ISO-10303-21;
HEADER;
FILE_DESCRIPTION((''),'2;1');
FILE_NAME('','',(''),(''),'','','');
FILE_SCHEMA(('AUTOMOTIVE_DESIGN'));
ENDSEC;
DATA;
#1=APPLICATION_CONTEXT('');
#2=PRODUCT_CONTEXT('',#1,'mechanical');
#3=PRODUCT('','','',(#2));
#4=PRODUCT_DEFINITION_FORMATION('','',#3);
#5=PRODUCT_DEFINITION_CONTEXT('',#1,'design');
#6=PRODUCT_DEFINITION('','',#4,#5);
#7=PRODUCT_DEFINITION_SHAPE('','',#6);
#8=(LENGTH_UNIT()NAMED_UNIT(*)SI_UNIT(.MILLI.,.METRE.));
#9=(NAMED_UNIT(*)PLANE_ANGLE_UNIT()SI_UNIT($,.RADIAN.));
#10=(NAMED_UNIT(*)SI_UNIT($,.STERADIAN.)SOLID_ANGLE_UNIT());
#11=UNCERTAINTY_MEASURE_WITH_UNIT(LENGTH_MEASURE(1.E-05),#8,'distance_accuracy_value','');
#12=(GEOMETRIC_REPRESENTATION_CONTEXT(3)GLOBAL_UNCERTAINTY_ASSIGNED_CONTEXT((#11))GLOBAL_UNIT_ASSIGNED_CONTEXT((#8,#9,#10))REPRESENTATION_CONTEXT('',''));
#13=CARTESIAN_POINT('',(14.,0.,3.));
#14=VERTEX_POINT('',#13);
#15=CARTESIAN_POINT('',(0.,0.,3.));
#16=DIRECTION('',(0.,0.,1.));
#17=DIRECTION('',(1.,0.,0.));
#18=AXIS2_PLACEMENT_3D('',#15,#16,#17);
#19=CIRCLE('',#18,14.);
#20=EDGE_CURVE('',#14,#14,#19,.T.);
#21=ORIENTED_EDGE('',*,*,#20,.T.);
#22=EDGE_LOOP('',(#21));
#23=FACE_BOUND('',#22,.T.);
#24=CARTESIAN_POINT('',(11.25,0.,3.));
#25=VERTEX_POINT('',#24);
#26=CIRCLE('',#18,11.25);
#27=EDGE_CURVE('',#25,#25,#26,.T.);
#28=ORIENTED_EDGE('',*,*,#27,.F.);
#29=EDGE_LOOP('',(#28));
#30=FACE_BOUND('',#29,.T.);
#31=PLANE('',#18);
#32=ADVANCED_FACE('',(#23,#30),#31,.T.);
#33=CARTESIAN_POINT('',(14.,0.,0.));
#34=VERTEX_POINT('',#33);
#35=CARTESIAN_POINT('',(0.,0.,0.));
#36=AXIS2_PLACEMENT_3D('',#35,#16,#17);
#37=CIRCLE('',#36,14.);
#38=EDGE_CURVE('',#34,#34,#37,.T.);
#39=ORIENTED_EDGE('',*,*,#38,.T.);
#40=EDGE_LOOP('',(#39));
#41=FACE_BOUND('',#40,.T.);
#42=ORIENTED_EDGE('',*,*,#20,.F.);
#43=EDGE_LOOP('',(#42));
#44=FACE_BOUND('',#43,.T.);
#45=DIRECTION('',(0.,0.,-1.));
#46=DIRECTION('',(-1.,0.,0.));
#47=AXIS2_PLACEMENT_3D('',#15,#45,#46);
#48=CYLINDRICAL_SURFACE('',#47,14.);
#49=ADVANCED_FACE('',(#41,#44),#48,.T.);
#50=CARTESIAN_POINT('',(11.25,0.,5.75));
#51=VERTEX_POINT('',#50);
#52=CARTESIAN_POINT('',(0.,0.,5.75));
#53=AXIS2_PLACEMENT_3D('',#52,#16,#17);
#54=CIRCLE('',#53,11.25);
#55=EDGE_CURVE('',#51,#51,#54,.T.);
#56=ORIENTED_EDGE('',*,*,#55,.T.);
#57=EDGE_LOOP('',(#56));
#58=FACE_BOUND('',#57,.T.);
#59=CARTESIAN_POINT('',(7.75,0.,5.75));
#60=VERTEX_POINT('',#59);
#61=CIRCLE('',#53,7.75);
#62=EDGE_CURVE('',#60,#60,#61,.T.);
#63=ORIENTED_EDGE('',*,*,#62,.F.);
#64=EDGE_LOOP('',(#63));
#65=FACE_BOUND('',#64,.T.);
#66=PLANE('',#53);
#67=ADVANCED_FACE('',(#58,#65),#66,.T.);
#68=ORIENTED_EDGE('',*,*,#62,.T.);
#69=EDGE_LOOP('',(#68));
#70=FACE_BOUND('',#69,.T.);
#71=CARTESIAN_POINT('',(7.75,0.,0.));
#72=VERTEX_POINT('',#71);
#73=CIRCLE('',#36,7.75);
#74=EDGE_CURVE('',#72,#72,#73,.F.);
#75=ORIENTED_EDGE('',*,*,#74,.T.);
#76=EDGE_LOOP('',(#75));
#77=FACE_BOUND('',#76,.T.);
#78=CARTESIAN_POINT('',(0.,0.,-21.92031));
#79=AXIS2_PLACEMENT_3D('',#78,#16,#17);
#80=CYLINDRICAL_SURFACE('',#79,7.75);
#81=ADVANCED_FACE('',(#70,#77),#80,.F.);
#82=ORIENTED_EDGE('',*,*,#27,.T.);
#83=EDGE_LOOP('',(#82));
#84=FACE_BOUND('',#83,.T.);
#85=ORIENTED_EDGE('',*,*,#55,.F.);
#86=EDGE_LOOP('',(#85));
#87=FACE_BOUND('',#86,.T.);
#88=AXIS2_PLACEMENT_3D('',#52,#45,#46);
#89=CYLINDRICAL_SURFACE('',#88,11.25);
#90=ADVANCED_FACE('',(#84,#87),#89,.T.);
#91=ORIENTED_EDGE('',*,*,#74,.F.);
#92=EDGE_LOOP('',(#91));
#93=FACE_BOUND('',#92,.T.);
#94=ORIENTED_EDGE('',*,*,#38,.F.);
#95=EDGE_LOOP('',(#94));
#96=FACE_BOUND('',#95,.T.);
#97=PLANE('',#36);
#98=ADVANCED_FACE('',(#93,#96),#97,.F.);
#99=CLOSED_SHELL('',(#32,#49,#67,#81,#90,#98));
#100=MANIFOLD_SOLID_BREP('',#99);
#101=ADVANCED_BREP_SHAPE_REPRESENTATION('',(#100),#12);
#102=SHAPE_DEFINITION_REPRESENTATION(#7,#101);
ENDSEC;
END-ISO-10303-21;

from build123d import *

# Parameters (mm, degrees)
ESQUISSE1_R             = 14
BOSS_EXTRU_1_DEPTH      = 3
ESQUISSE2_R             = 11.25
BOSS_EXTRU_2_DEPTH      = 2.75
ESQUISSE3_R             = 7.75
ENL_V_MAT_EXTRU_1_DEPTH = 5.75


with BuildPart() as part:
    # Esquisse1 → Boss.-Extru.1 (new body)
    with BuildSketch(Plane.XY):
        Circle(ESQUISSE1_R)
    extrude(amount=BOSS_EXTRU_1_DEPTH)

    # Esquisse2 → Boss.-Extru.2 (add)
    with BuildSketch(Plane.XY.offset(3)):
        Circle(ESQUISSE2_R)
    extrude(amount=BOSS_EXTRU_2_DEPTH)

    # Esquisse3 → Enlèv. mat.-Extru.1 (cut)
    with BuildSketch(Plane.XY.offset(5.75)):
        Circle(ESQUISSE3_R)
    extrude(amount=-ENL_V_MAT_EXTRU_1_DEPTH, mode=Mode.SUBTRACT)


solid = part.part
